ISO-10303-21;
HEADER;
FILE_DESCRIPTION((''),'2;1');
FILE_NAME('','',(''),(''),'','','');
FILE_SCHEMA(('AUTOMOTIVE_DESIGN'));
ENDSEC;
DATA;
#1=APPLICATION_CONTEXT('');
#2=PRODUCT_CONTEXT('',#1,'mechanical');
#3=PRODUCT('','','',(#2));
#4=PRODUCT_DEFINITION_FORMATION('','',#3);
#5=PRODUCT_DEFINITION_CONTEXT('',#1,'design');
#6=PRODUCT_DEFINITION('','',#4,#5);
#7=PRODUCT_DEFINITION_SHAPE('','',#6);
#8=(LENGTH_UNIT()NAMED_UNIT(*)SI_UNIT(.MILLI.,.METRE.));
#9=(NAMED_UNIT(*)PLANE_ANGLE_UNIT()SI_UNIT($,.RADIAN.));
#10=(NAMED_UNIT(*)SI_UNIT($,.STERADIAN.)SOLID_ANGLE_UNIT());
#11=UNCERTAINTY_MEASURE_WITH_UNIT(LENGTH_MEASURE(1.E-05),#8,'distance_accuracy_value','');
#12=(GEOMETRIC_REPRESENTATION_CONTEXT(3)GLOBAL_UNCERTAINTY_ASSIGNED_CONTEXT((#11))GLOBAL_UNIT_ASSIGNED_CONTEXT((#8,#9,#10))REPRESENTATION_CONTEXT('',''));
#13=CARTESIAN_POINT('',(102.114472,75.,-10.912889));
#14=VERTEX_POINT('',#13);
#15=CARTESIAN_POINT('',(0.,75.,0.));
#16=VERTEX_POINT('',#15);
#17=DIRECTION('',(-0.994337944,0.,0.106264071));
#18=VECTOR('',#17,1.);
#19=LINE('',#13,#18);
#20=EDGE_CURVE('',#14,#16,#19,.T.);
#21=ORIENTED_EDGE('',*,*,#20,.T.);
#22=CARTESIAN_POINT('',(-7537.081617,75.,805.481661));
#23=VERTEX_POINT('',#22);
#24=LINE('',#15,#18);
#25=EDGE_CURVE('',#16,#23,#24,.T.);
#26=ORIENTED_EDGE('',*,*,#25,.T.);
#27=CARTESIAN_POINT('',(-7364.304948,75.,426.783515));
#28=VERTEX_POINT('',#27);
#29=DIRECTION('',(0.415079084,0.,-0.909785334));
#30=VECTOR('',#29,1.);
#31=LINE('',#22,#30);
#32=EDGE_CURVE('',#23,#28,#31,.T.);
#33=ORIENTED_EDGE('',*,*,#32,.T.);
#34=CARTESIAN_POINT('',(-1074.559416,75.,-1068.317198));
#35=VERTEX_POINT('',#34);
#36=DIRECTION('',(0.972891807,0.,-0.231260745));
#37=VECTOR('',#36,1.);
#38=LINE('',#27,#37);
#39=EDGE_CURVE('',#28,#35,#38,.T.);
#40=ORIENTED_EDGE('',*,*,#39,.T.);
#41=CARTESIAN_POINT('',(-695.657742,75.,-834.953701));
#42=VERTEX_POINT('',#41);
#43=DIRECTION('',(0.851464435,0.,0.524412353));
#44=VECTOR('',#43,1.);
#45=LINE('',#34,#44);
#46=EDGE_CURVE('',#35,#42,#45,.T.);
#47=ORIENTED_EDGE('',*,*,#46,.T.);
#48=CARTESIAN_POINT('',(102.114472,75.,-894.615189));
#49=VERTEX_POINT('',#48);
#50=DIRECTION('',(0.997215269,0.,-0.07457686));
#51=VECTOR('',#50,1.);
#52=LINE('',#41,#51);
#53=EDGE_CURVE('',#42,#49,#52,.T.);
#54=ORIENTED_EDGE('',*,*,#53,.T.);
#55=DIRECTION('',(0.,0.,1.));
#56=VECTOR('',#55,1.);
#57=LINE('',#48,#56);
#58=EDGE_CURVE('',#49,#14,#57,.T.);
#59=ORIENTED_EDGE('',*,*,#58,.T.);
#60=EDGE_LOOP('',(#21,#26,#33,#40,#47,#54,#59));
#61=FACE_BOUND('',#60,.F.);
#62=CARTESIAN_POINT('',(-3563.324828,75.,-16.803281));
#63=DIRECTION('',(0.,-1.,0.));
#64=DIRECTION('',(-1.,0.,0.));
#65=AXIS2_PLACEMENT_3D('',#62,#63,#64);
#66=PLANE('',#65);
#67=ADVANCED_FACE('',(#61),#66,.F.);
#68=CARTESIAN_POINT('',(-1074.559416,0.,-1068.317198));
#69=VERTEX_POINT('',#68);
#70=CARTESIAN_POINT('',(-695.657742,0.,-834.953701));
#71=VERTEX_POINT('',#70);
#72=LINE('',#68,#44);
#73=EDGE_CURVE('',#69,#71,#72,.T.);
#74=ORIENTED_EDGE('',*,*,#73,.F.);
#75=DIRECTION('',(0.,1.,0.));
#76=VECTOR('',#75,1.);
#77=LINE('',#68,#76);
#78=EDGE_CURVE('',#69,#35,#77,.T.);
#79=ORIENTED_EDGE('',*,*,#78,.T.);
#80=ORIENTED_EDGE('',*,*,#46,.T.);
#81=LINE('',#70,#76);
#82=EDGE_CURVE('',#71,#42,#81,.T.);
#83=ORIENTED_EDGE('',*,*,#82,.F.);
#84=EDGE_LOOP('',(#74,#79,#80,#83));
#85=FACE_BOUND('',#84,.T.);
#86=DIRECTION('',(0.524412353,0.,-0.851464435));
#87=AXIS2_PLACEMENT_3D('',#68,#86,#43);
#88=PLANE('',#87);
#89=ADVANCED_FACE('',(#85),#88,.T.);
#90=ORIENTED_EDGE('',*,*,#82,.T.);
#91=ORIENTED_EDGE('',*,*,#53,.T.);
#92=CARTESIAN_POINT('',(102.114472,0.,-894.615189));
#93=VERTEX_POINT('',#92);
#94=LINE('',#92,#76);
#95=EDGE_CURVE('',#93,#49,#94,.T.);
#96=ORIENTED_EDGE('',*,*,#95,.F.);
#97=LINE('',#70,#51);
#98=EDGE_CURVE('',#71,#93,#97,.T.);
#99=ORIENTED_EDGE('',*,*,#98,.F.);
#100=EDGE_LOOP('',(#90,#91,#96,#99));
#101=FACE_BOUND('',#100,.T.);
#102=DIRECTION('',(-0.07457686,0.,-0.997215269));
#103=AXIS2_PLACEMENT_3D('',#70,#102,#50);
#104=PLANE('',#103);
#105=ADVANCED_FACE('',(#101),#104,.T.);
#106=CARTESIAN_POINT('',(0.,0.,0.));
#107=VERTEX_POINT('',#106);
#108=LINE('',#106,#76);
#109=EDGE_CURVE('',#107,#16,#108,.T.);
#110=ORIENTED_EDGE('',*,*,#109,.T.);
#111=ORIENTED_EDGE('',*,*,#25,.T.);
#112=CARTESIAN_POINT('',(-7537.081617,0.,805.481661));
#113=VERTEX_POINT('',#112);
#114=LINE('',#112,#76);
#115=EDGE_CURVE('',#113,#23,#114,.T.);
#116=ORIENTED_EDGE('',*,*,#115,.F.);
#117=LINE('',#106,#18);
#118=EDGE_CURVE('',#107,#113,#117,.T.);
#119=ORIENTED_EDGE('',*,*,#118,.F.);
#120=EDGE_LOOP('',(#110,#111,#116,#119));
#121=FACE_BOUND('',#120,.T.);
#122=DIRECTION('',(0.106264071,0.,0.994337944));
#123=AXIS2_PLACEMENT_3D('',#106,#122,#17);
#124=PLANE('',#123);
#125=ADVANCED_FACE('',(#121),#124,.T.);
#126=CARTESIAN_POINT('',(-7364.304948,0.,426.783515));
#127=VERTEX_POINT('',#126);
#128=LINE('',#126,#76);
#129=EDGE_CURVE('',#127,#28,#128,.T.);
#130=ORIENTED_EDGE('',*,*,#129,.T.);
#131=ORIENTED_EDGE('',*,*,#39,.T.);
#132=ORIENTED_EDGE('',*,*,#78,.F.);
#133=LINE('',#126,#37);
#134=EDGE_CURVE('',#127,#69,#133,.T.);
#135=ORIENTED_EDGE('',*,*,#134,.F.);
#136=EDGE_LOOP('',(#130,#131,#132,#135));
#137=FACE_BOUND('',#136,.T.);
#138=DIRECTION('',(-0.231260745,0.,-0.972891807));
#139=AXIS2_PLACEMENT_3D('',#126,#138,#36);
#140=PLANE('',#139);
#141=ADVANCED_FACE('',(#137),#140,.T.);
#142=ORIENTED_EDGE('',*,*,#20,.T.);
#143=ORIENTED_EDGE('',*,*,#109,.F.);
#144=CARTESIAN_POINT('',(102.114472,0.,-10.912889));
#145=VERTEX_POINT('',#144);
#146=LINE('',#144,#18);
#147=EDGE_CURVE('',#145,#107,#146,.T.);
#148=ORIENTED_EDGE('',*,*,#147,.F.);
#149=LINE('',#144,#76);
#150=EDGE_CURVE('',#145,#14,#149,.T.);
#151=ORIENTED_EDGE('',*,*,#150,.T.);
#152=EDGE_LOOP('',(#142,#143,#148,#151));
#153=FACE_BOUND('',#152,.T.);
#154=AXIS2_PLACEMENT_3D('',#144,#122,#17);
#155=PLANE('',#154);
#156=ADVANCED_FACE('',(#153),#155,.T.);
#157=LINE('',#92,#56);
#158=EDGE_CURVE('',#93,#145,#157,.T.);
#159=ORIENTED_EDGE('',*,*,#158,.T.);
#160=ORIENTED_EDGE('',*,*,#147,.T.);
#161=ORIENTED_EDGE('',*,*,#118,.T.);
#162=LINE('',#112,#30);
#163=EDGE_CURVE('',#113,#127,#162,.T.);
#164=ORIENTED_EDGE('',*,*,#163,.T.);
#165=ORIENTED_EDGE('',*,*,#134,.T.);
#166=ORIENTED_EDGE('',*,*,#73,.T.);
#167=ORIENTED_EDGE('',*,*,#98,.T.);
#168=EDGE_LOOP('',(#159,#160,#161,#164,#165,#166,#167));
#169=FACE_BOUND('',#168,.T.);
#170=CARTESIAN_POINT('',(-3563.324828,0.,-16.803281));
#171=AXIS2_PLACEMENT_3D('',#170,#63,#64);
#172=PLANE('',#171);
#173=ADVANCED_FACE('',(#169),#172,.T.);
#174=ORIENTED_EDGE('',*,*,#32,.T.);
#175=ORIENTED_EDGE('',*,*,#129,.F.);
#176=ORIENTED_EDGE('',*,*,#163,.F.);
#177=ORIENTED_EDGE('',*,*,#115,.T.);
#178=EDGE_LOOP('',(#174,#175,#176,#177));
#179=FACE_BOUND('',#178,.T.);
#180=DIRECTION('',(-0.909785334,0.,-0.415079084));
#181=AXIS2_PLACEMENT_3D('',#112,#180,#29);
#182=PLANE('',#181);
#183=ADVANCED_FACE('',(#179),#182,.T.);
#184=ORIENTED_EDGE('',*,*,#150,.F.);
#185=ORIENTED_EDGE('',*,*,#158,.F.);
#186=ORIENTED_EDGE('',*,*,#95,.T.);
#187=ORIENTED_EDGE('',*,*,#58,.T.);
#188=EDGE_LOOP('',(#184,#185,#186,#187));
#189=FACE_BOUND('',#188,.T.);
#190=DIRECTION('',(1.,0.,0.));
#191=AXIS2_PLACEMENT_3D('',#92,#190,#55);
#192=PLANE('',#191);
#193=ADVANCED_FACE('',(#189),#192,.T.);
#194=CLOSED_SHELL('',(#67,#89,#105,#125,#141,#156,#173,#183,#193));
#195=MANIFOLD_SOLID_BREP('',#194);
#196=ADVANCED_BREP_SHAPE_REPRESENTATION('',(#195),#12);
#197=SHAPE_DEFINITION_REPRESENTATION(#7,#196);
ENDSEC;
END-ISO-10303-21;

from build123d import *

# Parameters (mm, degrees)
BOSS_EXTRUDE1_DEPTH = 75


with BuildPart() as part:
    # Sketch1 → Boss-Extrude1 (new body)
    with BuildSketch(Plane(origin=(0, 0, 0), x_dir=(1, 0, 0), z_dir=(0, 1, 0))):
        Polygon((0, 0), (-7537.08161653, -805.481660729), (-7364.304947929, -426.783515384), (-1074.559415934, 1068.317197863), (-695.657742481, 834.953700601), (102.114472392, 894.615188825), (102.114472392, 10.912888966), align=None)
    extrude(amount=BOSS_EXTRUDE1_DEPTH)


solid = part.part
